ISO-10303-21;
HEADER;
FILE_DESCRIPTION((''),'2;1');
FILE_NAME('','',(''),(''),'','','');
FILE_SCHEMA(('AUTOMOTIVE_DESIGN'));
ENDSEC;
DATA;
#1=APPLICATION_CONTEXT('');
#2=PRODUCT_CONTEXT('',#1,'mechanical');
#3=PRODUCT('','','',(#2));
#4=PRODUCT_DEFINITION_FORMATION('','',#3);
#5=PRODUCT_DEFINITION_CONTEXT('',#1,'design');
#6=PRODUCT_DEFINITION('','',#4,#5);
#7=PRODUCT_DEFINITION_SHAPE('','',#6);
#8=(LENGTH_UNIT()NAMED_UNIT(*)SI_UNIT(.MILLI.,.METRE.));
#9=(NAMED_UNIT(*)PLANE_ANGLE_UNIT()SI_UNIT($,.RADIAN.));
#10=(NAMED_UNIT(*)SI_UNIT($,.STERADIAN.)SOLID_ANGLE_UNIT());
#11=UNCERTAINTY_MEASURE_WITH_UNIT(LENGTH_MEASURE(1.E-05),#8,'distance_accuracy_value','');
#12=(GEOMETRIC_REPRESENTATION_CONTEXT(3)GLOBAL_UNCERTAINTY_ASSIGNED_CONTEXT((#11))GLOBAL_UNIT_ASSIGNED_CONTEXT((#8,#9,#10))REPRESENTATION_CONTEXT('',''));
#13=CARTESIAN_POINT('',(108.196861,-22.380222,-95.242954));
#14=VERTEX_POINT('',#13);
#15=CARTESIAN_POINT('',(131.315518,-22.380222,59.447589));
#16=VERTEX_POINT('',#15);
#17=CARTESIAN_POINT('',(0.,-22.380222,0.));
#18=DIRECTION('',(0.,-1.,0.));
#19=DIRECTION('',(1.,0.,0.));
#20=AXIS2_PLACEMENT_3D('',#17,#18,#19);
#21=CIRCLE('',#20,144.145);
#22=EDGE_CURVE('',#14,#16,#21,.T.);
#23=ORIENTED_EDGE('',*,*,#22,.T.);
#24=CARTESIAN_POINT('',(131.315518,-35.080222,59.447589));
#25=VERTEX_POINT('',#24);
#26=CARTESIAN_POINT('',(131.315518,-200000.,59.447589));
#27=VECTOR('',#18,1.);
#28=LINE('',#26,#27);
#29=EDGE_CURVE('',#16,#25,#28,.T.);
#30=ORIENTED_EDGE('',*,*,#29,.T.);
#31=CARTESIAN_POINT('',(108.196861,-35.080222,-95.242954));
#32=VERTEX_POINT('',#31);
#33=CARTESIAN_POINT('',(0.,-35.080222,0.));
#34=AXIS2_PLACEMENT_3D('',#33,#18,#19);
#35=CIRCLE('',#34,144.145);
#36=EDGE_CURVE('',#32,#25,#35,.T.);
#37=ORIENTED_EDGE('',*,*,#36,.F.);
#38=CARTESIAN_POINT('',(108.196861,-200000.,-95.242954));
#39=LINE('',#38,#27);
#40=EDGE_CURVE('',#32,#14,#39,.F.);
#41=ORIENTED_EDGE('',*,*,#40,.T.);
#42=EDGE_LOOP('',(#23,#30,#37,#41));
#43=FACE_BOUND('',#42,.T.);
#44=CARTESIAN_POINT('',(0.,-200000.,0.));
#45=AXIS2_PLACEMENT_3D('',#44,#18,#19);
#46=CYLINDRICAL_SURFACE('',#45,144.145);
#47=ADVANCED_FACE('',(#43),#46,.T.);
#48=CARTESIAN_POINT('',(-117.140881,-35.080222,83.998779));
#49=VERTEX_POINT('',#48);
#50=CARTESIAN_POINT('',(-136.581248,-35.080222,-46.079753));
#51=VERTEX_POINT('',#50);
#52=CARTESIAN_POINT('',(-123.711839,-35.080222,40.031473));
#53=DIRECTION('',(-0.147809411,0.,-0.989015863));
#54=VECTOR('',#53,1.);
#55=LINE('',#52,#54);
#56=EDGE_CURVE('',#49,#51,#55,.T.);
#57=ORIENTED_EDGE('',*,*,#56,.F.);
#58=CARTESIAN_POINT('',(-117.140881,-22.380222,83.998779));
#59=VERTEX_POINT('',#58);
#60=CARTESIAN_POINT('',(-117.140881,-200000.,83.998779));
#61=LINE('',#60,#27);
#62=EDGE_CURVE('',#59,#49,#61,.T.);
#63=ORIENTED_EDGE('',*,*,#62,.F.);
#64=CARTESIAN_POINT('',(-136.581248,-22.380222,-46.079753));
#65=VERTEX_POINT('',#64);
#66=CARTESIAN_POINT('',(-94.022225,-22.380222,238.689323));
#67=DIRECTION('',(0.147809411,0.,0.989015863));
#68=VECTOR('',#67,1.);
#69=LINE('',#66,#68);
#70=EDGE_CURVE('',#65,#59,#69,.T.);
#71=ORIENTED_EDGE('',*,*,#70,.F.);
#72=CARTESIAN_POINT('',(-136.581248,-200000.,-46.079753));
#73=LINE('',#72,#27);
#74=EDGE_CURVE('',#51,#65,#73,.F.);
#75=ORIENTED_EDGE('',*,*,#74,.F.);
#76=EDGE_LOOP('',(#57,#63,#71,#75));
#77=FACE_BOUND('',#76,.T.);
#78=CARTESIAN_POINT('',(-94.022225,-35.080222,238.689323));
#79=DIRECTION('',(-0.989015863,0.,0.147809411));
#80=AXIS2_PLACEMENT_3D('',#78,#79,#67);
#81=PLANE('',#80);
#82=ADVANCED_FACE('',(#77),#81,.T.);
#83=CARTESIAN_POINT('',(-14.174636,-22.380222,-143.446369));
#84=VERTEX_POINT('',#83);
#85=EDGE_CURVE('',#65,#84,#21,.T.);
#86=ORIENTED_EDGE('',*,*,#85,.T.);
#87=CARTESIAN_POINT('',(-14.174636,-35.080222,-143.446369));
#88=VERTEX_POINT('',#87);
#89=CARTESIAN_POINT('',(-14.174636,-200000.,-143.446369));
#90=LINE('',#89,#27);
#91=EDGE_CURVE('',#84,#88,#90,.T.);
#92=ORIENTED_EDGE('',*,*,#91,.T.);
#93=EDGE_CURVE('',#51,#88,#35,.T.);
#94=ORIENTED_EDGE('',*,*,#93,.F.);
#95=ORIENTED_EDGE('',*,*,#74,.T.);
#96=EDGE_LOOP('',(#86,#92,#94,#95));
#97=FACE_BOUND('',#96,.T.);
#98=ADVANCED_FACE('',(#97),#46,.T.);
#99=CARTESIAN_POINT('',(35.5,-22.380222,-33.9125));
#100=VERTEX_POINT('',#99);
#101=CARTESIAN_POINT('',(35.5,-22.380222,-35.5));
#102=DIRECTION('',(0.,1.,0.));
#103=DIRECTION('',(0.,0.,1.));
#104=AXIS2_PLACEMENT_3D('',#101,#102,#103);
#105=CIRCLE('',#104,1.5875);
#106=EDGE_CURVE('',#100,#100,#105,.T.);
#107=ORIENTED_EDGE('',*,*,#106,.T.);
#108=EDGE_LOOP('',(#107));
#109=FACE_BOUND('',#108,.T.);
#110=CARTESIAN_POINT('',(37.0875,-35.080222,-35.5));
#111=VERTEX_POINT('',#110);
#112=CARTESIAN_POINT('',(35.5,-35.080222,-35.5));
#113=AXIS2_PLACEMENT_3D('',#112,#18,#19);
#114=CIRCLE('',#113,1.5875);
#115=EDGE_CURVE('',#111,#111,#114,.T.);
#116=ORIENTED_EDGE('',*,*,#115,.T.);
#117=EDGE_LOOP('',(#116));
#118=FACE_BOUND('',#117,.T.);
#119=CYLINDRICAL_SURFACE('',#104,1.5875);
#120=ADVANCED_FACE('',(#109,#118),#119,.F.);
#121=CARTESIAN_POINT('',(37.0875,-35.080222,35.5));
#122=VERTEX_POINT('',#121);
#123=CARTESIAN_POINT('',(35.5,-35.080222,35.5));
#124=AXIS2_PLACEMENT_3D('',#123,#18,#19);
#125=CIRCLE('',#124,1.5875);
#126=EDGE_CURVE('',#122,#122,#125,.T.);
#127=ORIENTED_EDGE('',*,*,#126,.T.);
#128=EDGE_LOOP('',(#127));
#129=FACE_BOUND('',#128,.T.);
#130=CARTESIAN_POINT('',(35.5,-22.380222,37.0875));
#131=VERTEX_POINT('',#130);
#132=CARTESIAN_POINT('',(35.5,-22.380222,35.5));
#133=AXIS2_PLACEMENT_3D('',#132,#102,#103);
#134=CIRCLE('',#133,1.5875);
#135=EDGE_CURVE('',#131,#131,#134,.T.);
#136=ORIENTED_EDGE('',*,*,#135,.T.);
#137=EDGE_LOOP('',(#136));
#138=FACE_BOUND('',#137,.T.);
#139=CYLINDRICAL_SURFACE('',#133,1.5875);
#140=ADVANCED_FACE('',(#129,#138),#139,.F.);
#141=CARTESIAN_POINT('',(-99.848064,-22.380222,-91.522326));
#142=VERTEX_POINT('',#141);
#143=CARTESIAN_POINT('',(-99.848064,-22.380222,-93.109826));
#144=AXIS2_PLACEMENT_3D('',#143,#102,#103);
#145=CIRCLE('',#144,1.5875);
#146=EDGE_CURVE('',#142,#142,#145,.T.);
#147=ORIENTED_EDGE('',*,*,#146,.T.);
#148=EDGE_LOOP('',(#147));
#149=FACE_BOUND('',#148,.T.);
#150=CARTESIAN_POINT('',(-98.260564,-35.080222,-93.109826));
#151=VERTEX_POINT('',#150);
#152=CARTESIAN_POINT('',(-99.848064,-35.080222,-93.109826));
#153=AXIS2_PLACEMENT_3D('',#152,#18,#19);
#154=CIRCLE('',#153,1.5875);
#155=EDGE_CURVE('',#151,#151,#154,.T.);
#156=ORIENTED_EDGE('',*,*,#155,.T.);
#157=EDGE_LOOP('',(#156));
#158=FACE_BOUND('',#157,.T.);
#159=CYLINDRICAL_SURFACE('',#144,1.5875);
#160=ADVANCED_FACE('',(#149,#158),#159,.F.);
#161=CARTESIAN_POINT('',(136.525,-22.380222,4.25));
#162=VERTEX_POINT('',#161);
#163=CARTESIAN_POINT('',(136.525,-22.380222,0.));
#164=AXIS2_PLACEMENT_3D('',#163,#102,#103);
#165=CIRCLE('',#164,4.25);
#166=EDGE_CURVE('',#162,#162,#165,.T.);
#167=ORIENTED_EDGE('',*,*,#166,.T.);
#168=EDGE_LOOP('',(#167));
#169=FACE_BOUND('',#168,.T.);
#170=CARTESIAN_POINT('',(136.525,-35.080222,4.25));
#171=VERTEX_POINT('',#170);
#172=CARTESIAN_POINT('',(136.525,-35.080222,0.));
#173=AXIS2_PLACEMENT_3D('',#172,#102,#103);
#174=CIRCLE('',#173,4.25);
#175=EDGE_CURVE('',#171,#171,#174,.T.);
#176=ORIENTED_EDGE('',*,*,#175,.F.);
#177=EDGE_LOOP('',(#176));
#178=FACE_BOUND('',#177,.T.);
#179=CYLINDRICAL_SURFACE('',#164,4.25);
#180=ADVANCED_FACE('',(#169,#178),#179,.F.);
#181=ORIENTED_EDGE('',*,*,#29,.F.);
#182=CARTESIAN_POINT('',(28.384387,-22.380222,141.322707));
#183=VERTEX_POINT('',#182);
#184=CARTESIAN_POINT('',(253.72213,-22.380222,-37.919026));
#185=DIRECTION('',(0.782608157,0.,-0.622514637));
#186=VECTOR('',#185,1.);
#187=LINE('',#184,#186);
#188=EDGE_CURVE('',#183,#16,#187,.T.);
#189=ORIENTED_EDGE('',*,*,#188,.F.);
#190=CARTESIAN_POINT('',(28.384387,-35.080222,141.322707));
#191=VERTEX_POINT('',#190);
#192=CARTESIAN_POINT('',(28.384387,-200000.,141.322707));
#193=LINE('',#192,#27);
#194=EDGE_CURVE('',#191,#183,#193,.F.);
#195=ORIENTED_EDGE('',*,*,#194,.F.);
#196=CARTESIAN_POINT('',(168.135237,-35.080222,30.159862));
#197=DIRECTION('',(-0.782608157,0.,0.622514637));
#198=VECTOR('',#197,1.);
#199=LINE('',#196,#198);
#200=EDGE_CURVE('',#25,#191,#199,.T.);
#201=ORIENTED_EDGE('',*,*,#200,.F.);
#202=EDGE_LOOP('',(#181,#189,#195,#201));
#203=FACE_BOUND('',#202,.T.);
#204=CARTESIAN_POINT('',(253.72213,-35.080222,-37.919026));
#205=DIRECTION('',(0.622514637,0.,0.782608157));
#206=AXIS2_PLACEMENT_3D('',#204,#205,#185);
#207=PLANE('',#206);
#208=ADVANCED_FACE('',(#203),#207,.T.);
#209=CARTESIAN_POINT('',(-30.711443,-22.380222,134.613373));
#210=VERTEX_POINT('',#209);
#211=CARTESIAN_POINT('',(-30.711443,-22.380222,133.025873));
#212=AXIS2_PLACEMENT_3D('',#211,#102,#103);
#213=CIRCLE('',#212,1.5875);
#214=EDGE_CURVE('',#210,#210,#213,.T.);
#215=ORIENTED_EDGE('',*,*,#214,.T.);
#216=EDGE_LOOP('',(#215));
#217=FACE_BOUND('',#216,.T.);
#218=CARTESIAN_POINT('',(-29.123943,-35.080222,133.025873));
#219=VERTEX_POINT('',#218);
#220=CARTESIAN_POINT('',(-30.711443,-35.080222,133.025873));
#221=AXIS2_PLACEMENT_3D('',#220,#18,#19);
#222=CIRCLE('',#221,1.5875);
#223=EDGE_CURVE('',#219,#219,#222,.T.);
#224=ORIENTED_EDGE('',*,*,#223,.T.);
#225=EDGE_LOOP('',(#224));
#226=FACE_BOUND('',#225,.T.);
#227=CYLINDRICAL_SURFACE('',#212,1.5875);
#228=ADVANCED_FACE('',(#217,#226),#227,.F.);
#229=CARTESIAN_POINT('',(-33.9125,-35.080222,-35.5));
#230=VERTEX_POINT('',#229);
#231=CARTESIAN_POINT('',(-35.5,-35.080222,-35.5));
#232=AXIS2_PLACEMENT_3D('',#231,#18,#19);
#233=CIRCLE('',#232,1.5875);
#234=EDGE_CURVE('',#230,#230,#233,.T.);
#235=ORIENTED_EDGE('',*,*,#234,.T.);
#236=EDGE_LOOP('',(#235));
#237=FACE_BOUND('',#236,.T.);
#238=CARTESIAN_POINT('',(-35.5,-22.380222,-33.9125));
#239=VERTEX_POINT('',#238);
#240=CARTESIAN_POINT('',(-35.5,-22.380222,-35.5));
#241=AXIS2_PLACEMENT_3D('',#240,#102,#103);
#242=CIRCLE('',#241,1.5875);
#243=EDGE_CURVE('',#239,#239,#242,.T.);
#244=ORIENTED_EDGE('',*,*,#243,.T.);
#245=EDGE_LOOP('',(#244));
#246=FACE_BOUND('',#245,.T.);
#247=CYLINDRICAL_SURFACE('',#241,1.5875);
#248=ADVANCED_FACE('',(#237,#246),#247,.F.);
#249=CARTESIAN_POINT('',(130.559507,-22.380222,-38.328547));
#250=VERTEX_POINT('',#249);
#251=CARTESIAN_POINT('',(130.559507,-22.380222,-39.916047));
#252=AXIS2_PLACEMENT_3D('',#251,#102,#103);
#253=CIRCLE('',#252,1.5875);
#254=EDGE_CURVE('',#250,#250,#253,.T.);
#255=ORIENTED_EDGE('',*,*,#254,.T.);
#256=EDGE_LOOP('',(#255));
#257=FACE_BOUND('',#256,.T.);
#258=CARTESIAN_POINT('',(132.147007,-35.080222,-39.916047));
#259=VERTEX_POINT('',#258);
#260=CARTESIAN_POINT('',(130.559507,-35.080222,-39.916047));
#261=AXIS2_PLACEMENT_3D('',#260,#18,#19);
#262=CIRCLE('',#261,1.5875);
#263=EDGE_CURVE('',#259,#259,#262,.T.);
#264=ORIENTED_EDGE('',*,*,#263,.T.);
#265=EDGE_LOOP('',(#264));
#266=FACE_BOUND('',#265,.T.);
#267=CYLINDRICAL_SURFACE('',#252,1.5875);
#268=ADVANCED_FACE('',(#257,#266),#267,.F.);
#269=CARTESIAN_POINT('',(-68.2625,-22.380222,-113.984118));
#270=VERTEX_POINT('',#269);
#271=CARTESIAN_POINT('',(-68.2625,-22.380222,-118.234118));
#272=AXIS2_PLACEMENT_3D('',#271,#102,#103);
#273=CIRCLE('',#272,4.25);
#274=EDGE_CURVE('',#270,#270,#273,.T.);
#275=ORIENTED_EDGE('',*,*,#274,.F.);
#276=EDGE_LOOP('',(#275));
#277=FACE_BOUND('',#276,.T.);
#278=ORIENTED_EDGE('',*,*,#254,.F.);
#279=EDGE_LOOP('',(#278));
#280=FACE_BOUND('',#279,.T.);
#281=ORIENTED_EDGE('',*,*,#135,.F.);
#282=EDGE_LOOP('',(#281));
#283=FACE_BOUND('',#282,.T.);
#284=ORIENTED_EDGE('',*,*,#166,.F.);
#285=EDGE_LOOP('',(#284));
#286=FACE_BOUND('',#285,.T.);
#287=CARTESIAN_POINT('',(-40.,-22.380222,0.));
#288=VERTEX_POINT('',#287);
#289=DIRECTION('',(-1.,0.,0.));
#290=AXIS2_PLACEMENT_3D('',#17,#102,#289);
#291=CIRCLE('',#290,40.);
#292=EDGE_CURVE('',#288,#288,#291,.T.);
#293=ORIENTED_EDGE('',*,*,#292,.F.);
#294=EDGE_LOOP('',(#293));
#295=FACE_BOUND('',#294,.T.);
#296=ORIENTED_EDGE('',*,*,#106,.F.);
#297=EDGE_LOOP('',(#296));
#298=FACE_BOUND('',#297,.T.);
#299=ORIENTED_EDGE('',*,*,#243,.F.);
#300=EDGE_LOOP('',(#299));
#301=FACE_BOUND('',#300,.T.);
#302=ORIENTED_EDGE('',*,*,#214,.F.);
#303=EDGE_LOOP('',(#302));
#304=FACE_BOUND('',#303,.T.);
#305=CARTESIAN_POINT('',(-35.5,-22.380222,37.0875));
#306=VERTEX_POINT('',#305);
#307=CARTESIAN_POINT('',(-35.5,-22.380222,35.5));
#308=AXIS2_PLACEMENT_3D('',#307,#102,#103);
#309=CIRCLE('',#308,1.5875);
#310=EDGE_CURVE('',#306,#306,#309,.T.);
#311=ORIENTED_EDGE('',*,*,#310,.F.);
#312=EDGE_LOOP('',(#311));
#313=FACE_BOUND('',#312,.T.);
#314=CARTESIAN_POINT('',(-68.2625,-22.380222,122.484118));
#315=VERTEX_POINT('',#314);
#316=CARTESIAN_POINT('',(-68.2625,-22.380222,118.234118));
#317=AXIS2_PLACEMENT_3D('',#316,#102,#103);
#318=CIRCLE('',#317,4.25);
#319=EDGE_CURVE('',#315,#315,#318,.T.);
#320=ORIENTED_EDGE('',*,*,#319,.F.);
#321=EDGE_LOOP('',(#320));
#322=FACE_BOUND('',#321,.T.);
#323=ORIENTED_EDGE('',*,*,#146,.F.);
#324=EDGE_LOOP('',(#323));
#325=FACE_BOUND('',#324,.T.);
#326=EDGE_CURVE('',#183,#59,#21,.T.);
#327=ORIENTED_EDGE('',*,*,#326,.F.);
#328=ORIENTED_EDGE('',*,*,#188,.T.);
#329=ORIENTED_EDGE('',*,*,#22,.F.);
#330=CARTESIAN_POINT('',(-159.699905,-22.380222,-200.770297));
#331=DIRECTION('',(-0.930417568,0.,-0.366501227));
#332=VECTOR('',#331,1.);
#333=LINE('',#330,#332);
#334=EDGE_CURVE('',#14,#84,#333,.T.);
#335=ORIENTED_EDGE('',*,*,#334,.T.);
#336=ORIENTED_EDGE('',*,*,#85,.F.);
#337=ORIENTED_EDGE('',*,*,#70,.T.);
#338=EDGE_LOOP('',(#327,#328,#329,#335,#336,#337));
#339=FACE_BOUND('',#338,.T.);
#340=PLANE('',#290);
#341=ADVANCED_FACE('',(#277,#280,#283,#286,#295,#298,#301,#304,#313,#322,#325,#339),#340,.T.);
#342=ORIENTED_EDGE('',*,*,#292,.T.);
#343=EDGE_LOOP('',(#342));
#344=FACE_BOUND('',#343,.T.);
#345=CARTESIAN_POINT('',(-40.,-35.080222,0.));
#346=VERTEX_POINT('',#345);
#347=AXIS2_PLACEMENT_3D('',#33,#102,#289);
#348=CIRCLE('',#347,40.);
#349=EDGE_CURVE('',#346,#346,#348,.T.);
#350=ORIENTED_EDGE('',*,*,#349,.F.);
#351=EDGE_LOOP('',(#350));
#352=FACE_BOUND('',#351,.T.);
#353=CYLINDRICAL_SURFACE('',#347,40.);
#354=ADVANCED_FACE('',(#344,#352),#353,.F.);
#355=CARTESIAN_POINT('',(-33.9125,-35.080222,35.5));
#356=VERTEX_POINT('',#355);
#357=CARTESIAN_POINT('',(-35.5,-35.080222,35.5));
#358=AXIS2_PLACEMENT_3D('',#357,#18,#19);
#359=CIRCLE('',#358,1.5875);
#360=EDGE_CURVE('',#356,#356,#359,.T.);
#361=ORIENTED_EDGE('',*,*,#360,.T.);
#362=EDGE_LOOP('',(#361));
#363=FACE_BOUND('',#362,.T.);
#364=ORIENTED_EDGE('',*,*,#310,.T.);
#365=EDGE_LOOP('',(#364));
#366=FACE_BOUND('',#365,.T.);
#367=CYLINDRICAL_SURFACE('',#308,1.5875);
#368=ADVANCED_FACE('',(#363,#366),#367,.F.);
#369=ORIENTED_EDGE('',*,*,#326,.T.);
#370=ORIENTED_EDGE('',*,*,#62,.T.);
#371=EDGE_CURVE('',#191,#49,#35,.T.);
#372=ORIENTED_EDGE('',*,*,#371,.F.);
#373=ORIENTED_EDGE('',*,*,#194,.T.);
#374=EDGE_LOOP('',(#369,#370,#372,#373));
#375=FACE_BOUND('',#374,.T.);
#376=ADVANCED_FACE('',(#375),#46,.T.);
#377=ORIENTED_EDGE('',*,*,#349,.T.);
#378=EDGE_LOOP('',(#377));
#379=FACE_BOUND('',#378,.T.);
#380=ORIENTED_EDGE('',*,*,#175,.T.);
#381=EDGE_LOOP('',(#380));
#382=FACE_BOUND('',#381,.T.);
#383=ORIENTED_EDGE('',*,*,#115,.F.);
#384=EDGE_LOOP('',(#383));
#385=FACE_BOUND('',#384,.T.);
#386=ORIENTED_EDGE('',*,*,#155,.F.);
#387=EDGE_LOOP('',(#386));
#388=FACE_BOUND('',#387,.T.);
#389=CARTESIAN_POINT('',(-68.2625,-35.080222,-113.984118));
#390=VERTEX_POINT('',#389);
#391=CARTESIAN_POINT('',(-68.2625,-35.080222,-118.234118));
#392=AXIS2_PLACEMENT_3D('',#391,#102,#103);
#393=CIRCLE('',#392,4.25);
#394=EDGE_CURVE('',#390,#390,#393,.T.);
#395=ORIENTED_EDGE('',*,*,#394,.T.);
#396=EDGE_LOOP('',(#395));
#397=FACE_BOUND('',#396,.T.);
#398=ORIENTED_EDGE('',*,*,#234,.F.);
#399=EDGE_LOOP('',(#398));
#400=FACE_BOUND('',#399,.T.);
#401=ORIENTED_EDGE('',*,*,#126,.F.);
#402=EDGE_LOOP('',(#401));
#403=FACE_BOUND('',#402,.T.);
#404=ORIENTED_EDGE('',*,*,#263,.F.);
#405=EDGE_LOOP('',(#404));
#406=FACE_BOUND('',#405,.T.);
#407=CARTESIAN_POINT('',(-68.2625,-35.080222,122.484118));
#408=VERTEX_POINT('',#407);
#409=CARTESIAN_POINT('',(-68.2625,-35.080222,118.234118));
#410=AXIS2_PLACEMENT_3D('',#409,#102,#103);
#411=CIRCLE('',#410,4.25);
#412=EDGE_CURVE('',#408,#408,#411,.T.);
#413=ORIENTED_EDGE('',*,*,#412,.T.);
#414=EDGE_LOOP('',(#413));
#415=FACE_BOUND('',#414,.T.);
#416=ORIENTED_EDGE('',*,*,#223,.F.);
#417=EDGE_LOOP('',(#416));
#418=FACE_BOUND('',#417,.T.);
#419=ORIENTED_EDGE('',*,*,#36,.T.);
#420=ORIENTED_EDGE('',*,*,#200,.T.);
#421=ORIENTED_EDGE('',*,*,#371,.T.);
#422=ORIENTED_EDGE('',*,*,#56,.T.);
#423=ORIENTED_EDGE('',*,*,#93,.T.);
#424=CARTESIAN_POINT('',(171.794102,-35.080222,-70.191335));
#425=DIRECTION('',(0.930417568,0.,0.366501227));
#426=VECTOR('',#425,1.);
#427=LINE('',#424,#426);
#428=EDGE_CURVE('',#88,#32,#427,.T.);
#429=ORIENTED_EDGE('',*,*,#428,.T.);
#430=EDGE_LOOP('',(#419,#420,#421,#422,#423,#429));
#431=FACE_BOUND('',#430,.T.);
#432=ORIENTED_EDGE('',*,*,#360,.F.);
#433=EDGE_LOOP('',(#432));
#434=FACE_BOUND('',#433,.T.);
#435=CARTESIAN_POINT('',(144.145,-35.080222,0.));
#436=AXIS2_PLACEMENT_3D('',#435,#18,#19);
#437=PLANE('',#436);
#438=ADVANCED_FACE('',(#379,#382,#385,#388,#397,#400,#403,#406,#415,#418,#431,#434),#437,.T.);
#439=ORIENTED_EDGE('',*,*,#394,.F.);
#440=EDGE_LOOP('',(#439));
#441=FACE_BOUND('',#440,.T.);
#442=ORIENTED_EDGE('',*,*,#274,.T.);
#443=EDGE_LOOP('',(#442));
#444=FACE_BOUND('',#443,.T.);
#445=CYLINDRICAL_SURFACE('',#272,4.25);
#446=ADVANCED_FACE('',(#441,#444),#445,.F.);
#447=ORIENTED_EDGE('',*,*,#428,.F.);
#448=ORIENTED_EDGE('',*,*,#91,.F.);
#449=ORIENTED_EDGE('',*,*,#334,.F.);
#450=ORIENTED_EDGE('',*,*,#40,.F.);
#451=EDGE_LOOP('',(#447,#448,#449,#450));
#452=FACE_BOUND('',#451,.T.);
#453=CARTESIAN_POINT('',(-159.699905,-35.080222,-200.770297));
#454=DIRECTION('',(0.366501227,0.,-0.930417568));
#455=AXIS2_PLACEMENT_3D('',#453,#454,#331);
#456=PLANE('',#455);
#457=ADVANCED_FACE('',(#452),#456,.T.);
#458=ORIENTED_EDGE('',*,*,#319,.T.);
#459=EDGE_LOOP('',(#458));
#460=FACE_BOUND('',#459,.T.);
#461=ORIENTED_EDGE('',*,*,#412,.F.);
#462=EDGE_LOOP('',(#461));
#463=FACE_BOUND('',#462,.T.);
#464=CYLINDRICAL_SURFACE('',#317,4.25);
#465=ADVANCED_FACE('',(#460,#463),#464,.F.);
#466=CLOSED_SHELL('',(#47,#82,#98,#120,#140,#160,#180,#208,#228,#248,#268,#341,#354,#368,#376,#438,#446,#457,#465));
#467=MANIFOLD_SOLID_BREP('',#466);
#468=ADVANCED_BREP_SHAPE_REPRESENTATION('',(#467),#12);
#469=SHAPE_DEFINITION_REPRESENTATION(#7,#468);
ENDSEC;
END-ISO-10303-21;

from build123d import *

# Parameters (mm, degrees)
SKETCH1_W                    = 144.145
SKETCH1_H                    = 12.7
F_1_8_0_125_DIAMETER_HOLE1_D = 3.175
SKETCH4_OUTSIDE_W            = 371.87
SKETCH4_OUTSIDE_H            = 371.87
CUT_EXTRUDE1_DEPTH           = 205.247036821
SKETCH6_R                    = 40
CUT_EXTRUDE2_DEPTH           = 205.247036821
M10X1_5_TAPPED_HOLE1_D       = 8.5


with BuildPart() as part:
    # Sketch1 → Revolve1 (revolve)
    with BuildSketch(Plane.XY):
        with Locations((72.0725, -28.730222222)):
            Rectangle(SKETCH1_W, SKETCH1_H)
    revolve(axis=Axis((1e-09, -200000, 0), (0, 1, 0)))

    # 1/8 (0.125) Diameter Hole1 (through all)
    with Locations(Plane(origin=(0, -22.380222222, 0), x_dir=(1, 0, 0), z_dir=(0, 1, 0))):
        with Locations((136.525, 0), (-68.2625, -118.234118252), (-68.2625, 118.234118252), (-99.848064114, 93.109826108), (130.559506808, 39.916046987), (-30.711442694, -133.025873095), (-35.5, -35.5), (-35.5, 35.5), (35.5, 35.5), (35.5, -35.5)):
            Hole(F_1_8_0_125_DIAMETER_HOLE1_D / 2)

    # Sketch4 outside → Cut-Extrude1 (cut, through all)
    with BuildSketch(Plane(origin=(0, -22.380222222, 0), x_dir=(1, 0, 0), z_dir=(0, 1, 0))):
        Rectangle(SKETCH4_OUTSIDE_W, SKETCH4_OUTSIDE_H)
        Polygon((253.722129587, 37.919026331), (-94.022224704, -238.68932289), (-159.699904883, 200.770296559), align=None, mode=Mode.SUBTRACT)
    extrude(amount=-CUT_EXTRUDE1_DEPTH, mode=Mode.SUBTRACT)

    # Sketch6 → Cut-Extrude2 (cut, through all)
    with BuildSketch(Plane(origin=(0, -22.380222222, 0), x_dir=(1, 0, 0), z_dir=(0, 1, 0))):
        with Locations(Location((0, 0, 0), (0, 0, 180))):
            Circle(SKETCH6_R)
    extrude(amount=-CUT_EXTRUDE2_DEPTH, mode=Mode.SUBTRACT)

    # M10x1.5 Tapped Hole1 (through all)
    with Locations(Plane(origin=(0, -22.380222222, 0), x_dir=(1, 0, 0), z_dir=(0, 1, 0))):
        with Locations((-68.2625, 118.234118252), (136.525, 0), (-68.2625, -118.234118252)):
            Hole(M10X1_5_TAPPED_HOLE1_D / 2)


solid = part.part
